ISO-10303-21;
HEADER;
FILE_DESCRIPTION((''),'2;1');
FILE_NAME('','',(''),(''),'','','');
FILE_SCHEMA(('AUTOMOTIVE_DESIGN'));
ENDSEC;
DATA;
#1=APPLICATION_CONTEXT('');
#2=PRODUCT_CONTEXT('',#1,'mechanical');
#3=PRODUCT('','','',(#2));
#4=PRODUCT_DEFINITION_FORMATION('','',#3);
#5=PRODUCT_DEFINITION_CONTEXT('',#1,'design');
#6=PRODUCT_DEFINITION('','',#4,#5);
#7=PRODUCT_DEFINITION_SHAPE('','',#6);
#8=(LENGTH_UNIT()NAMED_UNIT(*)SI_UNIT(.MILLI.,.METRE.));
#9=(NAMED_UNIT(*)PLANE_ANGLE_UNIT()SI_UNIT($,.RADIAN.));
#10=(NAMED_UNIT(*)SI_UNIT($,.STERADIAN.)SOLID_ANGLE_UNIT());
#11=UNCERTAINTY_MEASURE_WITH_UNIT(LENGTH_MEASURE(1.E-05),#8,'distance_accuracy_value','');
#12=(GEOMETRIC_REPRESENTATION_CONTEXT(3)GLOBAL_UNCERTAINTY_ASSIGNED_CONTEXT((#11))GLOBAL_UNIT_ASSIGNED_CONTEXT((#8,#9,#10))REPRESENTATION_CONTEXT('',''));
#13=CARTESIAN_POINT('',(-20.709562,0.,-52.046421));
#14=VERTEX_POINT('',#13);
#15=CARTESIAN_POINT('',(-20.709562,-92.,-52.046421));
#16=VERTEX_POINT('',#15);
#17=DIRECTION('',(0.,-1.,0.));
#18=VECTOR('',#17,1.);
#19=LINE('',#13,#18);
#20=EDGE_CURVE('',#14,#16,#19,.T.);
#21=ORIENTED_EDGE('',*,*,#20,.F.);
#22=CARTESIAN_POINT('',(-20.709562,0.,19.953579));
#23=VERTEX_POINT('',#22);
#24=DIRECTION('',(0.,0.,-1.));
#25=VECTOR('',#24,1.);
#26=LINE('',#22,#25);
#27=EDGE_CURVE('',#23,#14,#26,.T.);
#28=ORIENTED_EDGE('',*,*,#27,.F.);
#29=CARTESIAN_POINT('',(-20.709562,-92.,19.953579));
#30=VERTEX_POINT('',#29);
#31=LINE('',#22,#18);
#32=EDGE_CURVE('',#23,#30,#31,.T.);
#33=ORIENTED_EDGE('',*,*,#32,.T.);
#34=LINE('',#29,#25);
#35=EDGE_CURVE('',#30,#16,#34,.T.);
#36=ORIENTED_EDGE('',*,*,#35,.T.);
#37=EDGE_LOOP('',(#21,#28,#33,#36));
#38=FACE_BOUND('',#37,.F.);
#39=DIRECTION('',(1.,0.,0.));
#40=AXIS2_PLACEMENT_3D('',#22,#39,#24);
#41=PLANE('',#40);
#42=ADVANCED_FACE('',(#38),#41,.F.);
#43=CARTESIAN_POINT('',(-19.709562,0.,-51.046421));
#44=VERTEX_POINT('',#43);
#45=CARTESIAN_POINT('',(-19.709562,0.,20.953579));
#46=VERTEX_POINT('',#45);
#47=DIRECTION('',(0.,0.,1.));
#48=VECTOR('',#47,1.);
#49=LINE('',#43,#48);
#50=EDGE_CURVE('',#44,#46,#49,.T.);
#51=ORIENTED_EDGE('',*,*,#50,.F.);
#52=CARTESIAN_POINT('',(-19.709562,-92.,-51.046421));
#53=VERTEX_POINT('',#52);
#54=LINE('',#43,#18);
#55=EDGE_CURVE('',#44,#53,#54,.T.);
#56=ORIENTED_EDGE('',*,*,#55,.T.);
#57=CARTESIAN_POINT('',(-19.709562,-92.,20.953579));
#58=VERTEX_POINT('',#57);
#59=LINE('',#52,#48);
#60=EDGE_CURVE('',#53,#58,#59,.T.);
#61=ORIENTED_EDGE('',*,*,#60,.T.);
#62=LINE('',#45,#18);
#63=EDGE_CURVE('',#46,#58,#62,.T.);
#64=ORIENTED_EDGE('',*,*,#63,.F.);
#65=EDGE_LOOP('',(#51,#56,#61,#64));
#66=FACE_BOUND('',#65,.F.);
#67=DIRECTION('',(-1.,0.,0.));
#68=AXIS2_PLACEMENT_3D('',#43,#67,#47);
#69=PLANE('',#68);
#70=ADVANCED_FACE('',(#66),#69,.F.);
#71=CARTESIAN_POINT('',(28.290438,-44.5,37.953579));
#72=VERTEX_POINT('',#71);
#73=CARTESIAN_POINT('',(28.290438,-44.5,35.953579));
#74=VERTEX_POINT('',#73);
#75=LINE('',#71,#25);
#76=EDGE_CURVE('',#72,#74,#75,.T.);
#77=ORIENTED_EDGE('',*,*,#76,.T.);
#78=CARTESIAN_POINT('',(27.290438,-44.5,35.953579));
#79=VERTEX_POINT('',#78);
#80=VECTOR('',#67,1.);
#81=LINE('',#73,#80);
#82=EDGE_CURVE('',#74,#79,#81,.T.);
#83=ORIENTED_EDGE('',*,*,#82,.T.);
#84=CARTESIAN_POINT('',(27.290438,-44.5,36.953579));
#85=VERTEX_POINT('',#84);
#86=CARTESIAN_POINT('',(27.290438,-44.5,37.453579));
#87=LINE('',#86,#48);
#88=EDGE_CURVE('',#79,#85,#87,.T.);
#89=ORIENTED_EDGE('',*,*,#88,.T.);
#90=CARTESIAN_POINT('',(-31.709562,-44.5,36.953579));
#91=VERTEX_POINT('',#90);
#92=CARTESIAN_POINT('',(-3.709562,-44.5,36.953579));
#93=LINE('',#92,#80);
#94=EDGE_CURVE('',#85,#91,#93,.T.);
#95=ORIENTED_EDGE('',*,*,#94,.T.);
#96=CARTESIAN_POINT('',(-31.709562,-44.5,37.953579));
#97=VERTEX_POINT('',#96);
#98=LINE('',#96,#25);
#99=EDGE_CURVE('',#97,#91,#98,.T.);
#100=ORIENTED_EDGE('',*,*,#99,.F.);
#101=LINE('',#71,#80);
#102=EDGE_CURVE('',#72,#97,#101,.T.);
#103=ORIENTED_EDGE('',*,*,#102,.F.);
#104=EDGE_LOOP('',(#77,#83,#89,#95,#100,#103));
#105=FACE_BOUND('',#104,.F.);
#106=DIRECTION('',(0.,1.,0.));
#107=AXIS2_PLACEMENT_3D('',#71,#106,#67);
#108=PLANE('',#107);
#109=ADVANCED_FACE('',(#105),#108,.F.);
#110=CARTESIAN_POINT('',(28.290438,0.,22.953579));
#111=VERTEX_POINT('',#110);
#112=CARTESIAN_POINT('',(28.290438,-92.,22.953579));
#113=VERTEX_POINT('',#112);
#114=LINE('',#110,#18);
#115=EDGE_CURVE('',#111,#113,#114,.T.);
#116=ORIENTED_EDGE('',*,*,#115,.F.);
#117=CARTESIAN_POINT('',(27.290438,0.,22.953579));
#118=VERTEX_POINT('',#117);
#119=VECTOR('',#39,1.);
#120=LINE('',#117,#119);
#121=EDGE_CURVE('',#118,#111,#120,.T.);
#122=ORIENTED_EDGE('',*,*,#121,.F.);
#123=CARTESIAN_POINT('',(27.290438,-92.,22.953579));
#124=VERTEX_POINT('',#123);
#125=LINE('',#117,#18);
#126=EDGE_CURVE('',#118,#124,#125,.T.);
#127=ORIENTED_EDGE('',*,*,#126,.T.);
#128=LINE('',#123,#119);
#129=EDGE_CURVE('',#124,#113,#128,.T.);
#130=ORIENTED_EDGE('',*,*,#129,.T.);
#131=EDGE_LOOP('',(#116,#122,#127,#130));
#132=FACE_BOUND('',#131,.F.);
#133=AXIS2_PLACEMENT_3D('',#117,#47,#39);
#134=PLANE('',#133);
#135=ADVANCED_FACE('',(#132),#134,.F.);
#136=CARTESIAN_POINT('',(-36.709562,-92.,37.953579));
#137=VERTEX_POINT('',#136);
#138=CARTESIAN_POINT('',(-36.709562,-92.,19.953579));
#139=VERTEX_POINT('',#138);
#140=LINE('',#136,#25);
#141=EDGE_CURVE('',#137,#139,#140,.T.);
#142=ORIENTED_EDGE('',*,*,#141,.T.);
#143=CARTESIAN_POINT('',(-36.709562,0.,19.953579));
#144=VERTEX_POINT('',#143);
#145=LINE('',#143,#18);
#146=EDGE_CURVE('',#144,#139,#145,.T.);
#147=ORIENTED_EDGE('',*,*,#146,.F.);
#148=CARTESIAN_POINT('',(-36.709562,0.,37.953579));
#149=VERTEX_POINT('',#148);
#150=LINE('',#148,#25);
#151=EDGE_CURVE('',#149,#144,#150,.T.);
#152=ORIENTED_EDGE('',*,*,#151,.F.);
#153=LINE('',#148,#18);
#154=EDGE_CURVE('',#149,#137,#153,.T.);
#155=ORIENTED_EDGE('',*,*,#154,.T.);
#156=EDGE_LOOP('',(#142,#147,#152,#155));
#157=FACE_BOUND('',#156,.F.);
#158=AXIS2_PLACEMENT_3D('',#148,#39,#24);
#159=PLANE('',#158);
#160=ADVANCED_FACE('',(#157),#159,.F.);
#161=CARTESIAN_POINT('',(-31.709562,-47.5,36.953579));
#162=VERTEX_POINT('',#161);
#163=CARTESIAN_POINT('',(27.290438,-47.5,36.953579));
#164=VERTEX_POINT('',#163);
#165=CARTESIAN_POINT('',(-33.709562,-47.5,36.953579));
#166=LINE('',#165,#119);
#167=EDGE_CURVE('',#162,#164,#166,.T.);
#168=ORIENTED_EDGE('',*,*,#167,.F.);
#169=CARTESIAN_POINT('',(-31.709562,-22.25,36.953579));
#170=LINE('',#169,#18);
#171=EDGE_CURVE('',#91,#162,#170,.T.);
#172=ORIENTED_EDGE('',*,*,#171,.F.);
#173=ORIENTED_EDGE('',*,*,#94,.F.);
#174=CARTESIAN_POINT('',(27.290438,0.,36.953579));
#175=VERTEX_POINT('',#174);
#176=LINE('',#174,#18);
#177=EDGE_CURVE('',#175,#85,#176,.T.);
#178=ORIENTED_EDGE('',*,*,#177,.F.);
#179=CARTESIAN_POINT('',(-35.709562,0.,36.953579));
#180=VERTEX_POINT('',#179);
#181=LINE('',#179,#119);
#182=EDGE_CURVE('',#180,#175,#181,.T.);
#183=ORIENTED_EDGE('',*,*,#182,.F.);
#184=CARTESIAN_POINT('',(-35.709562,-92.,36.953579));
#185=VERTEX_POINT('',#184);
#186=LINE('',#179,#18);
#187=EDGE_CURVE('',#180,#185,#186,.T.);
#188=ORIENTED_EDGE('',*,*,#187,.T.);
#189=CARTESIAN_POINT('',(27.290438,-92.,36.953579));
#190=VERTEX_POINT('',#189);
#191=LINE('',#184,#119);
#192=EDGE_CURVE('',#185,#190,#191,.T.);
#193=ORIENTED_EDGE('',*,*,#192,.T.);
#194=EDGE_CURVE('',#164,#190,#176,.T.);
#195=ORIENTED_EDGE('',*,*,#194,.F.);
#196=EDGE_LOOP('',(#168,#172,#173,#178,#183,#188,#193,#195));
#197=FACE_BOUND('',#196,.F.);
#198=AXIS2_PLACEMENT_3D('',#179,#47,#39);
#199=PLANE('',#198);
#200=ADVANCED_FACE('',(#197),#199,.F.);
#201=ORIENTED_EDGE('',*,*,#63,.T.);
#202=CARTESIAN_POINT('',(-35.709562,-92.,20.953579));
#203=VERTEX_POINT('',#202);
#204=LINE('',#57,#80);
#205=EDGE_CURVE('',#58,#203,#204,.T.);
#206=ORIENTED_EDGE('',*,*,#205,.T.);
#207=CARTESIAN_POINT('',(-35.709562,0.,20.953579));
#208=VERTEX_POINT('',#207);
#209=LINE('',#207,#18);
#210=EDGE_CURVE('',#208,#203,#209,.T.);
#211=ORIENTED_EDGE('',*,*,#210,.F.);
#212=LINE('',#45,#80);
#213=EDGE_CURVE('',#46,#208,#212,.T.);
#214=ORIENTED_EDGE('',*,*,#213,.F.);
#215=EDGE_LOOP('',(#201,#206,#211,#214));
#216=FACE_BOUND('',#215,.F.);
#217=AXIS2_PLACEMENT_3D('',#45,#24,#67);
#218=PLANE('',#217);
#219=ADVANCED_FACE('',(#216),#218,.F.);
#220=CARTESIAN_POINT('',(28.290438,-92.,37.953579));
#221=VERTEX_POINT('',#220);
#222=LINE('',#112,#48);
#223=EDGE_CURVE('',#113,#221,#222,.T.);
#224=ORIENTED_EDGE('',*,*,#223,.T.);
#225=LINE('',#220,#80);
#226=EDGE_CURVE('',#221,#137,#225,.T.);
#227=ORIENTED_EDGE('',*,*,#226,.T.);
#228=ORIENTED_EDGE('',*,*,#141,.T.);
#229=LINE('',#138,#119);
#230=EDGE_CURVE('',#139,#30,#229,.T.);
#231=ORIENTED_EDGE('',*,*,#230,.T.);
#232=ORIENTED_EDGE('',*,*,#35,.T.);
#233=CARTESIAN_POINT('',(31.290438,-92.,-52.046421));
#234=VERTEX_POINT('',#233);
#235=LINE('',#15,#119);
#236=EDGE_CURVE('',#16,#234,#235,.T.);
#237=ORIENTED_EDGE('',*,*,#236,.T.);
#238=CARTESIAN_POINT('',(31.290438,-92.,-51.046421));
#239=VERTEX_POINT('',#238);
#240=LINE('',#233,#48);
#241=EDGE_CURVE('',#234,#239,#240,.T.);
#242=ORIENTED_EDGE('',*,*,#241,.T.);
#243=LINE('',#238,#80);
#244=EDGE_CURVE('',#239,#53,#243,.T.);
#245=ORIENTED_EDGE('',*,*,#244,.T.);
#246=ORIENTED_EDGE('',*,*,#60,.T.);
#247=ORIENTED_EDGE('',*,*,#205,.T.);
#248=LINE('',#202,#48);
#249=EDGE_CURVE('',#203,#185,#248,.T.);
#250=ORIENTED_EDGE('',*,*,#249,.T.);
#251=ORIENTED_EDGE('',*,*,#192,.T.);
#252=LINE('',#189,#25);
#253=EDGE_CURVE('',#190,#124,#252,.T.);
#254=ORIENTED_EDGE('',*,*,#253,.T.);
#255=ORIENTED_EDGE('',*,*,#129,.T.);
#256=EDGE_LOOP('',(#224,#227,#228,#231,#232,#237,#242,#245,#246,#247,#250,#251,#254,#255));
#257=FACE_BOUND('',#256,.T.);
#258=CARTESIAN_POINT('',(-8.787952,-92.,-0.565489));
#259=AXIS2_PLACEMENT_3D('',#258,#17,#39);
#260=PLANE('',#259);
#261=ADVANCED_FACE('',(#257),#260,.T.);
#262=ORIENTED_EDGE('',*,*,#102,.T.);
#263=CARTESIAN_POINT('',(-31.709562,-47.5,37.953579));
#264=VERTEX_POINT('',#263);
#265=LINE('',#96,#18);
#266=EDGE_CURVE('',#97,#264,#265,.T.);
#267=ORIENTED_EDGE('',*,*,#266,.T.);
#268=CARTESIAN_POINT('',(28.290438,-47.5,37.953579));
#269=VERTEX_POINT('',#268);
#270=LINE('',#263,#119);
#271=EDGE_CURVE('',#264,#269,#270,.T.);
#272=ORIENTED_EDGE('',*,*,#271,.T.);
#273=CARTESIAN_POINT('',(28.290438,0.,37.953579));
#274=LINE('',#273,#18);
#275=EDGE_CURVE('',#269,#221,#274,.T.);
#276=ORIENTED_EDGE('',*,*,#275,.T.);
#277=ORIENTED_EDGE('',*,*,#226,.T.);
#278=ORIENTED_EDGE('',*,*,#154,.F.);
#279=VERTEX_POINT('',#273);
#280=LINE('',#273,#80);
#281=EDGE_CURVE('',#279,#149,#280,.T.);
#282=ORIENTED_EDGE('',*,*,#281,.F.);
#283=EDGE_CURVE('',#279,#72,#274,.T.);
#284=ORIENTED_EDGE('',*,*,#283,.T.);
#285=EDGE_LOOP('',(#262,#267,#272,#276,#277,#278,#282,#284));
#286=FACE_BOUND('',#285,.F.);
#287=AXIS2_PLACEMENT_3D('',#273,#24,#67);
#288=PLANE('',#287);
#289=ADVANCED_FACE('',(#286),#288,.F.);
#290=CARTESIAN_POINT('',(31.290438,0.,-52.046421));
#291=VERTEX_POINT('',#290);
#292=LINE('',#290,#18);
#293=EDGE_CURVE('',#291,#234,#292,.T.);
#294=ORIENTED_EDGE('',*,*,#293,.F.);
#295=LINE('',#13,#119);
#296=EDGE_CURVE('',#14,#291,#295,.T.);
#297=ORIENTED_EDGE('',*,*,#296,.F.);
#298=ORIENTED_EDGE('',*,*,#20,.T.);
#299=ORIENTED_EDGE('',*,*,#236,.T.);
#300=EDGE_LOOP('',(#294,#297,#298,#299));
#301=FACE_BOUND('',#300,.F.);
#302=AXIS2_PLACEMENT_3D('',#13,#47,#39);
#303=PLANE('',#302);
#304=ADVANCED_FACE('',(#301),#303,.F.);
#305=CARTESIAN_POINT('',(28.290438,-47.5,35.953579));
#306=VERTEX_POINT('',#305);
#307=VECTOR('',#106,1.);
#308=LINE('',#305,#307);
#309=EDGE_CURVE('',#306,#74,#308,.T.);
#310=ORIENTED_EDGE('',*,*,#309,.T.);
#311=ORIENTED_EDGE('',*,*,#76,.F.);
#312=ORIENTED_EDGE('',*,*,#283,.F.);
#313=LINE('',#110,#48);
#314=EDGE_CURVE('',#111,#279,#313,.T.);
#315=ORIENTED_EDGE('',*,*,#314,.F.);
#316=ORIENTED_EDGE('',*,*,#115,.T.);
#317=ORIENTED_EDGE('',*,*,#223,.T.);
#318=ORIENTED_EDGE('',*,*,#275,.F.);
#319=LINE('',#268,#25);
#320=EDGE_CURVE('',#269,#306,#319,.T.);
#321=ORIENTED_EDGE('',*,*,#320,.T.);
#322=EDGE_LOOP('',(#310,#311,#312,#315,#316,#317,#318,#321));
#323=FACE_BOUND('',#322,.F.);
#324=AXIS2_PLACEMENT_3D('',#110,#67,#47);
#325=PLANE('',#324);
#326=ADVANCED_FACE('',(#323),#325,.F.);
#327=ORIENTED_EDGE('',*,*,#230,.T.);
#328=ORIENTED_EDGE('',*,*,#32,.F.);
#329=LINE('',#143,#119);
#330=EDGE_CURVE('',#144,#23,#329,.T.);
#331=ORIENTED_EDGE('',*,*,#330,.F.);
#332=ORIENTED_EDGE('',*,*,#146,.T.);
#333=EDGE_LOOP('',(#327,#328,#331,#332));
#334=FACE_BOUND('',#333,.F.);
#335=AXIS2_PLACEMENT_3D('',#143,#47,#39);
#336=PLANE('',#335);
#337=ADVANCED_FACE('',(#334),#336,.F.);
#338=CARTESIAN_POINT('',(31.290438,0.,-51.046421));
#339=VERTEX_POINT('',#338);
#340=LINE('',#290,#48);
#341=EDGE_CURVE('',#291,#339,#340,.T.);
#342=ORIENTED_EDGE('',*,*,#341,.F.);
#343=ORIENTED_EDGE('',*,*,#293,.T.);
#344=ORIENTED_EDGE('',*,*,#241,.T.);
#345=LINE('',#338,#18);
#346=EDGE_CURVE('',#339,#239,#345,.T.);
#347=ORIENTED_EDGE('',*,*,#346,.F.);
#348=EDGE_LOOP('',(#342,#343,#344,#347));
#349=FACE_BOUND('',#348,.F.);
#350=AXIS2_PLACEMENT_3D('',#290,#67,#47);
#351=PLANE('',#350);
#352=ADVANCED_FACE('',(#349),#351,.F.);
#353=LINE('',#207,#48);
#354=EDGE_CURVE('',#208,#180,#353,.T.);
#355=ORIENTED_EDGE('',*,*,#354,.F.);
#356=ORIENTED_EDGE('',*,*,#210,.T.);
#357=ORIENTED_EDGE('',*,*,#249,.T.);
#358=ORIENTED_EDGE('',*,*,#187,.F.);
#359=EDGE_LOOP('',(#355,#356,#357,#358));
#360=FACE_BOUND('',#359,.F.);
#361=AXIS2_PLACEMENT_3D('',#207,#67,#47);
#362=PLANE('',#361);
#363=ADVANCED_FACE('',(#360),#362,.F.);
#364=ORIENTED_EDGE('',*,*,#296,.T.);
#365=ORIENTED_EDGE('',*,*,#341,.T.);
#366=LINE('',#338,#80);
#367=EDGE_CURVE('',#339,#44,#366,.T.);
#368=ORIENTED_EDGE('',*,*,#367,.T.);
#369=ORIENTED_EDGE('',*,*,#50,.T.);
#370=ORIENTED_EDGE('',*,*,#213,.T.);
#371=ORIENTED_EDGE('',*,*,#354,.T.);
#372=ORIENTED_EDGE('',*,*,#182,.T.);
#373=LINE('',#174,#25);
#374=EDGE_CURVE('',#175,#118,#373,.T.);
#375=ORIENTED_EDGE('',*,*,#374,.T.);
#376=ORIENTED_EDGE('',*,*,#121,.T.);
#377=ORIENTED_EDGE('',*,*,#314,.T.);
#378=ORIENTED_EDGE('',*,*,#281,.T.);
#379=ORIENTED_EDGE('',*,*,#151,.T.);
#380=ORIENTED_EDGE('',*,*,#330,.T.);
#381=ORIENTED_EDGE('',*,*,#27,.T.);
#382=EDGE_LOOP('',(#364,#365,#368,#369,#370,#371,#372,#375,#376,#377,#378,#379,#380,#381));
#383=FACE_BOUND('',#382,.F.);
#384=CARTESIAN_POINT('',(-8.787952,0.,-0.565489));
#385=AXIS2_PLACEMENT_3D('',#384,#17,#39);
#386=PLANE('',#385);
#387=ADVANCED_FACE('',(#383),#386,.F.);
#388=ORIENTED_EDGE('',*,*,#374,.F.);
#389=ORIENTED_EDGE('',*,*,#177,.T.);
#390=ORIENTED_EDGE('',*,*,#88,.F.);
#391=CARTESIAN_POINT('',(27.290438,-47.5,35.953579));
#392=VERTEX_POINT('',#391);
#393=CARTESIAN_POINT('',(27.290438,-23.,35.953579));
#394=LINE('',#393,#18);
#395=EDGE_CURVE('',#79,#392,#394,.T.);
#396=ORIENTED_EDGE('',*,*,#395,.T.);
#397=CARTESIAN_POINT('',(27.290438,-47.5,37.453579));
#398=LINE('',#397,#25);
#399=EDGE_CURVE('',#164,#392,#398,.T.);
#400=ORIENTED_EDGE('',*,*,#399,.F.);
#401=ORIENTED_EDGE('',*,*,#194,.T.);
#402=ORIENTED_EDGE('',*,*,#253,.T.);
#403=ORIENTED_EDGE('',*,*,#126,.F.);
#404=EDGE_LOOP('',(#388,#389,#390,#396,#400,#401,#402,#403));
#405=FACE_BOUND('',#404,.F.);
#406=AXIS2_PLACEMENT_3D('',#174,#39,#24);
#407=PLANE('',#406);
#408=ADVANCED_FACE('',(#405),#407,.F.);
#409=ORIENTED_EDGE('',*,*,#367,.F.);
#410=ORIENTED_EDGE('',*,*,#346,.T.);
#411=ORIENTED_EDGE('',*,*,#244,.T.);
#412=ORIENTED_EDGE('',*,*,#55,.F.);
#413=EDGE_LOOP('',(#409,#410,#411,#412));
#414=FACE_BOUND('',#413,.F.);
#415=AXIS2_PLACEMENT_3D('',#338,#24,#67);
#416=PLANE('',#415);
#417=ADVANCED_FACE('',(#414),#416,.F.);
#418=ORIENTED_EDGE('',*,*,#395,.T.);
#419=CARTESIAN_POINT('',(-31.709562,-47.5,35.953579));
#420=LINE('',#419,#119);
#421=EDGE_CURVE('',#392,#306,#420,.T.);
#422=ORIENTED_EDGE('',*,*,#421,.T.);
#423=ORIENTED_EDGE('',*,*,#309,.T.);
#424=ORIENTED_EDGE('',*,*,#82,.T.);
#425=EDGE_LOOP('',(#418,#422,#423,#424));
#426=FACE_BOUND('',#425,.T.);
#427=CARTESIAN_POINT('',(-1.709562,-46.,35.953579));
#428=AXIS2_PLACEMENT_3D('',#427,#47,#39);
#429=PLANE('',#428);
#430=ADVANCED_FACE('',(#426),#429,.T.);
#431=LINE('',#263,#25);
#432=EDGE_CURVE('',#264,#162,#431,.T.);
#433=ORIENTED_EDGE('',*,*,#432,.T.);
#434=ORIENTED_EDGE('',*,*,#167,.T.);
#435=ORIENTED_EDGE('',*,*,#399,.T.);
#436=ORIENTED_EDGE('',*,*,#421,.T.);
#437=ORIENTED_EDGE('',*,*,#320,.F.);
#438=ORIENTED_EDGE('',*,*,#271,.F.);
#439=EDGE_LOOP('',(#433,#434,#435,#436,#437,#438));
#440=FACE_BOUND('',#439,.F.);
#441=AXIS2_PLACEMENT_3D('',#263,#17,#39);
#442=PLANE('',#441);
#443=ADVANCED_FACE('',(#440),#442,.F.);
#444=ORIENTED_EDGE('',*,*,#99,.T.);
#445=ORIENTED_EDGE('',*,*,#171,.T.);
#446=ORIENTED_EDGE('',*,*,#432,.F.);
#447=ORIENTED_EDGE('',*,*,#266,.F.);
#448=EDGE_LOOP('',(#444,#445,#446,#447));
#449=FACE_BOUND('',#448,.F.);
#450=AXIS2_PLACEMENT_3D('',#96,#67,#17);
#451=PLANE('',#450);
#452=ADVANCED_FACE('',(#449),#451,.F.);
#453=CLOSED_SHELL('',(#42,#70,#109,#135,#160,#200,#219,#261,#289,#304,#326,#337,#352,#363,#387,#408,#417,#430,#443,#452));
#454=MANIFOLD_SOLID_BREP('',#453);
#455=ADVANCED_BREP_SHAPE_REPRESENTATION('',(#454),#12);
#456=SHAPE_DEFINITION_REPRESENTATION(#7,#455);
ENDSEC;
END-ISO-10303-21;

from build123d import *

# Parameters (mm, degrees)
F1_DEPTH = 92
F3_DEPTH = 2


with BuildPart() as f1:
    # F0 (on Front) → F1 (new body)
    with BuildSketch(Plane.XZ):
        Polygon((28.290438, 37.953579), (-36.709562, 37.953579), (-36.709562, 19.953579), (-20.709562, 19.953579), (-20.709562, -52.046421), (31.290438, -52.046421), (31.290438, -51.046421), (-19.709562, -51.046421), (-19.709562, 20.953579), (-35.709562, 20.953579), (-35.709562, 36.953579), (27.290438, 36.953579), (27.290438, 22.953579), (28.290438, 22.953579), align=None)
    extrude(amount=F1_DEPTH)

    # F2 (on face) → F3 (cut)
    with BuildSketch(Plane.XY.offset(37.953579)):
        Polygon((-31.709562, -47.5), (28.290438, -47.5), (28.290438, -46), (28.290438, -44.5), (-31.709562, -44.5), (-31.709562, -46), align=None)
    extrude(amount=-F3_DEPTH, mode=Mode.SUBTRACT)


solid = f1.part
